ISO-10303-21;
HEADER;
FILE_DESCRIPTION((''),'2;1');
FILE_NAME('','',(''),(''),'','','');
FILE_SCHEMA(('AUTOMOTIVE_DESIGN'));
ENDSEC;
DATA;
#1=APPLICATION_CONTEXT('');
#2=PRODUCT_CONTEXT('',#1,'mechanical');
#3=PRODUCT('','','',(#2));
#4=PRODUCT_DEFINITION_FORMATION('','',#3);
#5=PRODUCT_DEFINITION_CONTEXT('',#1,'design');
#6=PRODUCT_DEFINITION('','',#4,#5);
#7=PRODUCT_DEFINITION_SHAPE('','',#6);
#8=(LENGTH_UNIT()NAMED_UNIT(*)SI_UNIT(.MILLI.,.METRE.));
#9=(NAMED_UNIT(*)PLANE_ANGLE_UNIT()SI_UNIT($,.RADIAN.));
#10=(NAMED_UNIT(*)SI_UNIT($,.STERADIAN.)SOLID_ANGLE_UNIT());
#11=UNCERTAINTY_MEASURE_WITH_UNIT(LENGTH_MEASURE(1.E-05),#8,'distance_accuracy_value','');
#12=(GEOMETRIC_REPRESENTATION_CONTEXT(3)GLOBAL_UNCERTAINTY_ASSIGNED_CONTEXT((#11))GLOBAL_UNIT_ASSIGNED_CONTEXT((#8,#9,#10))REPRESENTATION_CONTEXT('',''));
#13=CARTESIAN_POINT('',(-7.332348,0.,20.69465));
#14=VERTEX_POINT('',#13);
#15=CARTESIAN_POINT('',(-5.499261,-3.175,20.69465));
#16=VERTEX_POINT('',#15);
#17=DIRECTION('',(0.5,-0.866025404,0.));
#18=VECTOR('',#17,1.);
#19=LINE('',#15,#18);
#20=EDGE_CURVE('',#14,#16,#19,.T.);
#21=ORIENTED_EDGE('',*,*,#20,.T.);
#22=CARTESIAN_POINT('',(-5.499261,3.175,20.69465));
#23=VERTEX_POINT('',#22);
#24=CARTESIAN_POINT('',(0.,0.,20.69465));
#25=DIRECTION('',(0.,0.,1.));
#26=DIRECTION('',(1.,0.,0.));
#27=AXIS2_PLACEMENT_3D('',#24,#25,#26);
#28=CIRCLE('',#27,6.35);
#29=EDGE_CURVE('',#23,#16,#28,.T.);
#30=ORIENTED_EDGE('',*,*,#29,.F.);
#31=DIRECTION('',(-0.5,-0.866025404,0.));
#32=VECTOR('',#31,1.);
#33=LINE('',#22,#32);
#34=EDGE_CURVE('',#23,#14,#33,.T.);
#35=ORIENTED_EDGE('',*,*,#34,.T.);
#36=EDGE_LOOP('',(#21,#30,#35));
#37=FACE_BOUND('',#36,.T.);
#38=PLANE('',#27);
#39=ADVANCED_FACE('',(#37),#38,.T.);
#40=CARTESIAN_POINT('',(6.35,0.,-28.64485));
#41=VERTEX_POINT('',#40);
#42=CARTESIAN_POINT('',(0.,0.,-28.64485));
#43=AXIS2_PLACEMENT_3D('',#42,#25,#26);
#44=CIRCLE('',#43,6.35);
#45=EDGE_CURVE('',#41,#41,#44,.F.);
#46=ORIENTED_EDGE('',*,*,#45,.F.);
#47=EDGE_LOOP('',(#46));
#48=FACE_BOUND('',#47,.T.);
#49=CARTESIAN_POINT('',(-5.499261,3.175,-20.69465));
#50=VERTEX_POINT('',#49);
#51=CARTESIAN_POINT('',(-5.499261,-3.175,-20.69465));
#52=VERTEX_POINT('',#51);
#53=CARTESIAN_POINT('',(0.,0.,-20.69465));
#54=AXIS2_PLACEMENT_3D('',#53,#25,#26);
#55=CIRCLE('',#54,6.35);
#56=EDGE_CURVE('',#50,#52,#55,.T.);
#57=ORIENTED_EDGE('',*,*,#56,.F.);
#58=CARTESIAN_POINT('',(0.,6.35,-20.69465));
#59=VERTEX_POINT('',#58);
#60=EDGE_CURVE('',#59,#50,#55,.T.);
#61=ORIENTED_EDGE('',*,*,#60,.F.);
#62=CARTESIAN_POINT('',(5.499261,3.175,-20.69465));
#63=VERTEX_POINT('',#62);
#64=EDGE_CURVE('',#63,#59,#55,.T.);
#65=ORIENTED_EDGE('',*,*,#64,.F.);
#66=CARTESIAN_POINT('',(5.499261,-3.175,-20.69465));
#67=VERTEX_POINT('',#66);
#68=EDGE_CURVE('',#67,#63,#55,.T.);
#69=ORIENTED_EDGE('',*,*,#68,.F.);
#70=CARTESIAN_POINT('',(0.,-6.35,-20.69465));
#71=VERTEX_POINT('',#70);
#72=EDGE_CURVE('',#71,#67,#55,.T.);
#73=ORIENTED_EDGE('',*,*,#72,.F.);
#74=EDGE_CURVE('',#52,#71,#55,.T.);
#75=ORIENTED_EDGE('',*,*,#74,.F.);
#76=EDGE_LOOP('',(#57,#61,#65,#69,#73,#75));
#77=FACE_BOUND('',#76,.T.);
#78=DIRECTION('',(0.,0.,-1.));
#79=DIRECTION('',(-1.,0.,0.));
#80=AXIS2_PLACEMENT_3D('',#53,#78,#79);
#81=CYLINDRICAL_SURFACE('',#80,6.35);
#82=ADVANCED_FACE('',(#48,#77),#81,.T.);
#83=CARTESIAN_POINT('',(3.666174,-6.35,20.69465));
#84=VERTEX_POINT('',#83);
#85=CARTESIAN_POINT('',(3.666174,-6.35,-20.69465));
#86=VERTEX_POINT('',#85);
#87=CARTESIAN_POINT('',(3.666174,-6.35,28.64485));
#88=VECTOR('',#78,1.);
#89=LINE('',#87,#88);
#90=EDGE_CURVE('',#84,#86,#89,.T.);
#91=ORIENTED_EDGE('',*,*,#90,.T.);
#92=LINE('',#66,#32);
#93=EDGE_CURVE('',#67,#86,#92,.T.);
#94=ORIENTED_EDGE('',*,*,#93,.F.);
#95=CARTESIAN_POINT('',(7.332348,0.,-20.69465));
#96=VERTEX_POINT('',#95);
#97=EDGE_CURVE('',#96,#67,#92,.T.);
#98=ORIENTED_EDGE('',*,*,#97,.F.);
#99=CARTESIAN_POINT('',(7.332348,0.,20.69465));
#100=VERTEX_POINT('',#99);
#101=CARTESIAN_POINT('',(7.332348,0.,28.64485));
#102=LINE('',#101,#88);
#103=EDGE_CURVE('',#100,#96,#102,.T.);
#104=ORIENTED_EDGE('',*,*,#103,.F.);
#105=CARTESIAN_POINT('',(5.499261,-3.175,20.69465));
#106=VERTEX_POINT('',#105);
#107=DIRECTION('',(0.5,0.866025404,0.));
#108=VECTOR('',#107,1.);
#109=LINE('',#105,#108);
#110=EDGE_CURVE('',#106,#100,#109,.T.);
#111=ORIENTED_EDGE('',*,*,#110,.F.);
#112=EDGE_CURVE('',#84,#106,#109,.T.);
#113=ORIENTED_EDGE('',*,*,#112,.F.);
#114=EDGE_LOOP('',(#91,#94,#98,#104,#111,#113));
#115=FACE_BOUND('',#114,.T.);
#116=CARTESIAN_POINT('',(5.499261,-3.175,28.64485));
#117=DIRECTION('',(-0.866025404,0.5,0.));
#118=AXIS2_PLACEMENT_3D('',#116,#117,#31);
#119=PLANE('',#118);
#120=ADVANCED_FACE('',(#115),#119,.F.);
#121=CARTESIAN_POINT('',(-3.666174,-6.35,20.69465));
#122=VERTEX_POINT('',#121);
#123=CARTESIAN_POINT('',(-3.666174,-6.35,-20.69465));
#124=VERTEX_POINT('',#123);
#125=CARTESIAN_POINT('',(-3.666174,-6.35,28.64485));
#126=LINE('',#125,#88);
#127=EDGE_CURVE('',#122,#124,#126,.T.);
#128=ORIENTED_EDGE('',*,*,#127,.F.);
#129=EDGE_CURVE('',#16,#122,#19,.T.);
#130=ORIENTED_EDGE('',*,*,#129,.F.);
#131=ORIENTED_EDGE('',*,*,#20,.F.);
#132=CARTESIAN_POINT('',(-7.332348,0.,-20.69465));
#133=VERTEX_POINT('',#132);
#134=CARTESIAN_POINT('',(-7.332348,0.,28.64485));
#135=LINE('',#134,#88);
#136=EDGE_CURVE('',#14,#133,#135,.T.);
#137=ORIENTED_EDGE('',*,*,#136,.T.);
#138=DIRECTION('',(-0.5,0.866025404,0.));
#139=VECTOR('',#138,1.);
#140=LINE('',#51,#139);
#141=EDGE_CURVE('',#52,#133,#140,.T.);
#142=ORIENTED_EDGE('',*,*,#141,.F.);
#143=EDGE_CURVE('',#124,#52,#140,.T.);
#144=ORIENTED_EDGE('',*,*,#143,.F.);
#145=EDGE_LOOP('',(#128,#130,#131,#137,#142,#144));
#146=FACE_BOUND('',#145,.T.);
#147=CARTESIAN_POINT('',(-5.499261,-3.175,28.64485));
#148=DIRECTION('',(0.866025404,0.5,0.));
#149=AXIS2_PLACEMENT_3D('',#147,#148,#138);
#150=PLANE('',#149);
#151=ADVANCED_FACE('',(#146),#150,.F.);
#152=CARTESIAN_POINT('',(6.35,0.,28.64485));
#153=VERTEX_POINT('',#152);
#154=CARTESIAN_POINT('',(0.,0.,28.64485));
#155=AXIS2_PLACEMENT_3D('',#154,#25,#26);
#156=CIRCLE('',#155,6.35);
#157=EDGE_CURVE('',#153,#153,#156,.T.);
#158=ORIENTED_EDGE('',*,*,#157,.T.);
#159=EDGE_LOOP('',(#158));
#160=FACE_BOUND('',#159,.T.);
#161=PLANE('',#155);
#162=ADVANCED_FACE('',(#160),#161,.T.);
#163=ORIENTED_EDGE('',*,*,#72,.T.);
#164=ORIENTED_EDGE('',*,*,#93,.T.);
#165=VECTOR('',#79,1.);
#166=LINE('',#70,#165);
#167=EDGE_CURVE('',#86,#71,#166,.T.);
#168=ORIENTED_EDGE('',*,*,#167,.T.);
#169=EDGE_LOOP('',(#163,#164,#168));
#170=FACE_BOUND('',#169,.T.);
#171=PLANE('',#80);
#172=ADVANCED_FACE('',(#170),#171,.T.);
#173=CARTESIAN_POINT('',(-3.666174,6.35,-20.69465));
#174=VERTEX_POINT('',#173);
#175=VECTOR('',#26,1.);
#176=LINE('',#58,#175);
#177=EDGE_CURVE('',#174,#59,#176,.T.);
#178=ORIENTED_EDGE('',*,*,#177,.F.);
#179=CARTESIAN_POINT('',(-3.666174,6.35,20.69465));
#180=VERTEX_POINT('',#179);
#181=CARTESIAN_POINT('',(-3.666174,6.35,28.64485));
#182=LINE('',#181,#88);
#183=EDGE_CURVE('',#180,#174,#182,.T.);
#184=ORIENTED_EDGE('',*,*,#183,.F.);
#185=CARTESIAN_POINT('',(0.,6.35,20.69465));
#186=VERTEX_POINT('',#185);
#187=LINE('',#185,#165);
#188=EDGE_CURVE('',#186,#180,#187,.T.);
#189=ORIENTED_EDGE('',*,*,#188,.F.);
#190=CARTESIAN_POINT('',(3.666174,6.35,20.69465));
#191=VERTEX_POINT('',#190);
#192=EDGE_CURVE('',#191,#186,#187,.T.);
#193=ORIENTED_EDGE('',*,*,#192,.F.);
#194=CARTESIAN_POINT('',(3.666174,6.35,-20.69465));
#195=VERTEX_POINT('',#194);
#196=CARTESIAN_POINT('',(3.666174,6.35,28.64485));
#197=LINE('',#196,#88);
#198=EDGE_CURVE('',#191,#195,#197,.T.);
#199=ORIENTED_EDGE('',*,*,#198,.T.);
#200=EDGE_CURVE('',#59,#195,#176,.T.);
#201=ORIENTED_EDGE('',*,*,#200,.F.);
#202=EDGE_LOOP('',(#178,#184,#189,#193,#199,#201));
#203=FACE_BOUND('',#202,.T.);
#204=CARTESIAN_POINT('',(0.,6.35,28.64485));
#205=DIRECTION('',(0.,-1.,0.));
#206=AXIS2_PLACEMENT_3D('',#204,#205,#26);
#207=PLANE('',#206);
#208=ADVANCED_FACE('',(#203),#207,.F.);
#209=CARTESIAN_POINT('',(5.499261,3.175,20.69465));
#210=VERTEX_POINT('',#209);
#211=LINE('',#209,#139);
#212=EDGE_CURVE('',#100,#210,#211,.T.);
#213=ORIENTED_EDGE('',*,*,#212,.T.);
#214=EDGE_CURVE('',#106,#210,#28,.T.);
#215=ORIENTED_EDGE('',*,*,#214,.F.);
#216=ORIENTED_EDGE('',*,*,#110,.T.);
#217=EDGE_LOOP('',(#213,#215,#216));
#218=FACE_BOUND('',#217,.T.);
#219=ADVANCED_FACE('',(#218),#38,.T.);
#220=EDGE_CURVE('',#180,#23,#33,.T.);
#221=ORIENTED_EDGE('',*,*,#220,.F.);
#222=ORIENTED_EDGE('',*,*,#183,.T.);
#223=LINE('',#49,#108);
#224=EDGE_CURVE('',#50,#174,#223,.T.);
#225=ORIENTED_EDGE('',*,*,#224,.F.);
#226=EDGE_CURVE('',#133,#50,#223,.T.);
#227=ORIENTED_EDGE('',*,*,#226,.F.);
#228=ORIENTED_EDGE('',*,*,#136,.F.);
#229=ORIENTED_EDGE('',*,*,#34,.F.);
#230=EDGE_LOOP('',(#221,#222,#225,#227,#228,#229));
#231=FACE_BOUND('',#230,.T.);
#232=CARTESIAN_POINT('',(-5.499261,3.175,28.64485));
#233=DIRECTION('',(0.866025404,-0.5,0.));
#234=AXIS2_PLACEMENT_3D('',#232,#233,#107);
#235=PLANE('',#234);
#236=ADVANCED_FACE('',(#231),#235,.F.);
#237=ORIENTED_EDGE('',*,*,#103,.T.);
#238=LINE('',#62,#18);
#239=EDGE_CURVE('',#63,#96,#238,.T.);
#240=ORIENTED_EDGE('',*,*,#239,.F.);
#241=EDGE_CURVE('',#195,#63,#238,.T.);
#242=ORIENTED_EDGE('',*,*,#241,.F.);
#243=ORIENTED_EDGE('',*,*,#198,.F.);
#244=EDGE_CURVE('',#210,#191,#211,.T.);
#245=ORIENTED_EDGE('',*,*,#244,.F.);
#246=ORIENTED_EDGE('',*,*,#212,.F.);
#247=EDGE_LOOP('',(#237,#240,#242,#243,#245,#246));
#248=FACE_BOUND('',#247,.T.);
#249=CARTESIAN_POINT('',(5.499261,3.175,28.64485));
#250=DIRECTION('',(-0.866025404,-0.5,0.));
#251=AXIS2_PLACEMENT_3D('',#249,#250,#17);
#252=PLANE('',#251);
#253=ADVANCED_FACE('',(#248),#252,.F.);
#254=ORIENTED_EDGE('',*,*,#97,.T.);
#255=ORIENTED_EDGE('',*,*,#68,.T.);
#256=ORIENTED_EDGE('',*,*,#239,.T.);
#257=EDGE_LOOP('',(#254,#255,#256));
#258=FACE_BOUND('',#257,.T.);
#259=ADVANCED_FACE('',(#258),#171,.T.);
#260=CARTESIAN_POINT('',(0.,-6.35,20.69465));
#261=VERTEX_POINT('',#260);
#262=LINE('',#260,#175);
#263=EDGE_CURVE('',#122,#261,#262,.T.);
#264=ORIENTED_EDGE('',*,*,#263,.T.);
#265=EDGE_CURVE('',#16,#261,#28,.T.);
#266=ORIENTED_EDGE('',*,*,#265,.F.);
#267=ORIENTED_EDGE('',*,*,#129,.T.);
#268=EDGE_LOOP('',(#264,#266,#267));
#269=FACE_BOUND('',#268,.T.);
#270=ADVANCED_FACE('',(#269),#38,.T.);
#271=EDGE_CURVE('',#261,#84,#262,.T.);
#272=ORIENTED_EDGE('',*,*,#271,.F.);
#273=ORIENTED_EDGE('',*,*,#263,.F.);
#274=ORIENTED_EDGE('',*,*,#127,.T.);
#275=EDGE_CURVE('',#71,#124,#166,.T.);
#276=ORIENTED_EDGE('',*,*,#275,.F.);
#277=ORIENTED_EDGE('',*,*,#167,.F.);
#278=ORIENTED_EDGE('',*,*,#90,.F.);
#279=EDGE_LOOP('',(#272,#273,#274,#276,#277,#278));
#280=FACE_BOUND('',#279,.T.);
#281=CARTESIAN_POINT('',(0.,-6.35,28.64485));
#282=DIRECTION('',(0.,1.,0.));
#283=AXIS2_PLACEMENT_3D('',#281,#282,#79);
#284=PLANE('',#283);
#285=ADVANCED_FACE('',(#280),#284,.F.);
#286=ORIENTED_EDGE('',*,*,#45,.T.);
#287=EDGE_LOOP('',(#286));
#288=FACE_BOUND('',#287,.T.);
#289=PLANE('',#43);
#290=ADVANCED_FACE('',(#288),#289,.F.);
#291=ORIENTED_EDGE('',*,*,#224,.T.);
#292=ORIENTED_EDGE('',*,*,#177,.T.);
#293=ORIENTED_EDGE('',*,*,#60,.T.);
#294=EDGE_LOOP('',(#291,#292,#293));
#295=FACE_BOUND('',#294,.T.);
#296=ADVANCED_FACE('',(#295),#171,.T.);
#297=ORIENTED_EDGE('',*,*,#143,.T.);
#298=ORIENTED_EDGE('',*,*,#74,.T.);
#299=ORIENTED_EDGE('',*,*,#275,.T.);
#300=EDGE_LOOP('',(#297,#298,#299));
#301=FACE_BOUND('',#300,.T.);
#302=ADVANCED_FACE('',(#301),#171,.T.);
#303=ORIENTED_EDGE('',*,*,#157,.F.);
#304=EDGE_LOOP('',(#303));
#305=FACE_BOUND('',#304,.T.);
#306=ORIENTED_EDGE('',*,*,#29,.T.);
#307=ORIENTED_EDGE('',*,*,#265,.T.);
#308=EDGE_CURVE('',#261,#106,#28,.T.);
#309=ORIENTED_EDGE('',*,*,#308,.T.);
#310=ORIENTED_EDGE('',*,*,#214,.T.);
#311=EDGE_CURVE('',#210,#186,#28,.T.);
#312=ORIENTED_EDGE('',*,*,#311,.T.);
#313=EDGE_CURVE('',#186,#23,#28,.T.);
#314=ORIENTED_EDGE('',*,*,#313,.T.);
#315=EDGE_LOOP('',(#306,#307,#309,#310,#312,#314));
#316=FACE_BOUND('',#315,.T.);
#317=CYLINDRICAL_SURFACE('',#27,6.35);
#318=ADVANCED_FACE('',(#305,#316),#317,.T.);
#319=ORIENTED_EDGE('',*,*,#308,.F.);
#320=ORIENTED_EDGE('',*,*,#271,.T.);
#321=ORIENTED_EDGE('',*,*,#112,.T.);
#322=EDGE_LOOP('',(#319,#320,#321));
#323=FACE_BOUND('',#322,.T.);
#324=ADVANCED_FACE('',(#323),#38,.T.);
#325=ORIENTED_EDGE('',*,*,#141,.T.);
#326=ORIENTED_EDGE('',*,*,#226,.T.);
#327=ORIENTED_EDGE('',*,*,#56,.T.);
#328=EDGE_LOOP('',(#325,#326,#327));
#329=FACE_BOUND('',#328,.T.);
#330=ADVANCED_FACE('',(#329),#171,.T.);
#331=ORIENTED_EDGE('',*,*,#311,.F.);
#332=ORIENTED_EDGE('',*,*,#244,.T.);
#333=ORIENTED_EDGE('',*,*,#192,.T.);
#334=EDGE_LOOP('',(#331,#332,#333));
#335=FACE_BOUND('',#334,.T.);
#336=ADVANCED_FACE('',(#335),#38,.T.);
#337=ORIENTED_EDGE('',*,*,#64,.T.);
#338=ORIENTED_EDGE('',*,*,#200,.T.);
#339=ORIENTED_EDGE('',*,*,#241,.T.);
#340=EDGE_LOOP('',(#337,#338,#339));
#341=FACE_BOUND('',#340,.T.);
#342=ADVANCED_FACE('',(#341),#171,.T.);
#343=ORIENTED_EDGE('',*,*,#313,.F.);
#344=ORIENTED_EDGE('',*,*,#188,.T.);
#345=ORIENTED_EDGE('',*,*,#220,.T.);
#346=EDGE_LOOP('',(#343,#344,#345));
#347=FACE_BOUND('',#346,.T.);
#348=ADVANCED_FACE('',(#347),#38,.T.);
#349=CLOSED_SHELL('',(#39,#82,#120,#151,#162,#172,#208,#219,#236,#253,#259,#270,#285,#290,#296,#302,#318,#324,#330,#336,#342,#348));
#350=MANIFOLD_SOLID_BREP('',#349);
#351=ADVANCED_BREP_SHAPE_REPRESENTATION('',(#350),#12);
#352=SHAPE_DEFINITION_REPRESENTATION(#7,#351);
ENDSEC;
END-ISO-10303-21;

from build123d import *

# Parameters (mm, degrees)
BOSS_EXTRUDE1_DEPTH = 28.64485
SKETCH4_OUTSIDE_W   = 28.762
SKETCH4_OUTSIDE_H   = 26.798
SKETCH4_OUTSIDE_R   = 6.35
CUT_EXTRUDE2_DEPTH  = 7.9502


with BuildPart() as part:
    # Sketch1 → Boss-Extrude1 (new, symmetric)
    with BuildSketch(Plane.XY):
        Polygon((7.332348419, 0), (3.666174209, 6.35), (-3.666174209, 6.35), (-7.332348419, 0), (-3.666174209, -6.35), (3.666174209, -6.35), align=None)
    extrude(amount=BOSS_EXTRUDE1_DEPTH, both=True)

    # Sketch4 outside → Cut-Extrude2 (cut)
    with BuildSketch(Plane.XY.offset(28.64485)):
        Rectangle(SKETCH4_OUTSIDE_W, SKETCH4_OUTSIDE_H)
        Circle(SKETCH4_OUTSIDE_R, mode=Mode.SUBTRACT)
    cut_extrude2 = extrude(amount=-CUT_EXTRUDE2_DEPTH, mode=Mode.SUBTRACT)

    # Mirror1: Cut-Extrude2 across plane
    add(cut_extrude2.mirror(Plane.XY), mode=Mode.SUBTRACT)


solid = part.part
